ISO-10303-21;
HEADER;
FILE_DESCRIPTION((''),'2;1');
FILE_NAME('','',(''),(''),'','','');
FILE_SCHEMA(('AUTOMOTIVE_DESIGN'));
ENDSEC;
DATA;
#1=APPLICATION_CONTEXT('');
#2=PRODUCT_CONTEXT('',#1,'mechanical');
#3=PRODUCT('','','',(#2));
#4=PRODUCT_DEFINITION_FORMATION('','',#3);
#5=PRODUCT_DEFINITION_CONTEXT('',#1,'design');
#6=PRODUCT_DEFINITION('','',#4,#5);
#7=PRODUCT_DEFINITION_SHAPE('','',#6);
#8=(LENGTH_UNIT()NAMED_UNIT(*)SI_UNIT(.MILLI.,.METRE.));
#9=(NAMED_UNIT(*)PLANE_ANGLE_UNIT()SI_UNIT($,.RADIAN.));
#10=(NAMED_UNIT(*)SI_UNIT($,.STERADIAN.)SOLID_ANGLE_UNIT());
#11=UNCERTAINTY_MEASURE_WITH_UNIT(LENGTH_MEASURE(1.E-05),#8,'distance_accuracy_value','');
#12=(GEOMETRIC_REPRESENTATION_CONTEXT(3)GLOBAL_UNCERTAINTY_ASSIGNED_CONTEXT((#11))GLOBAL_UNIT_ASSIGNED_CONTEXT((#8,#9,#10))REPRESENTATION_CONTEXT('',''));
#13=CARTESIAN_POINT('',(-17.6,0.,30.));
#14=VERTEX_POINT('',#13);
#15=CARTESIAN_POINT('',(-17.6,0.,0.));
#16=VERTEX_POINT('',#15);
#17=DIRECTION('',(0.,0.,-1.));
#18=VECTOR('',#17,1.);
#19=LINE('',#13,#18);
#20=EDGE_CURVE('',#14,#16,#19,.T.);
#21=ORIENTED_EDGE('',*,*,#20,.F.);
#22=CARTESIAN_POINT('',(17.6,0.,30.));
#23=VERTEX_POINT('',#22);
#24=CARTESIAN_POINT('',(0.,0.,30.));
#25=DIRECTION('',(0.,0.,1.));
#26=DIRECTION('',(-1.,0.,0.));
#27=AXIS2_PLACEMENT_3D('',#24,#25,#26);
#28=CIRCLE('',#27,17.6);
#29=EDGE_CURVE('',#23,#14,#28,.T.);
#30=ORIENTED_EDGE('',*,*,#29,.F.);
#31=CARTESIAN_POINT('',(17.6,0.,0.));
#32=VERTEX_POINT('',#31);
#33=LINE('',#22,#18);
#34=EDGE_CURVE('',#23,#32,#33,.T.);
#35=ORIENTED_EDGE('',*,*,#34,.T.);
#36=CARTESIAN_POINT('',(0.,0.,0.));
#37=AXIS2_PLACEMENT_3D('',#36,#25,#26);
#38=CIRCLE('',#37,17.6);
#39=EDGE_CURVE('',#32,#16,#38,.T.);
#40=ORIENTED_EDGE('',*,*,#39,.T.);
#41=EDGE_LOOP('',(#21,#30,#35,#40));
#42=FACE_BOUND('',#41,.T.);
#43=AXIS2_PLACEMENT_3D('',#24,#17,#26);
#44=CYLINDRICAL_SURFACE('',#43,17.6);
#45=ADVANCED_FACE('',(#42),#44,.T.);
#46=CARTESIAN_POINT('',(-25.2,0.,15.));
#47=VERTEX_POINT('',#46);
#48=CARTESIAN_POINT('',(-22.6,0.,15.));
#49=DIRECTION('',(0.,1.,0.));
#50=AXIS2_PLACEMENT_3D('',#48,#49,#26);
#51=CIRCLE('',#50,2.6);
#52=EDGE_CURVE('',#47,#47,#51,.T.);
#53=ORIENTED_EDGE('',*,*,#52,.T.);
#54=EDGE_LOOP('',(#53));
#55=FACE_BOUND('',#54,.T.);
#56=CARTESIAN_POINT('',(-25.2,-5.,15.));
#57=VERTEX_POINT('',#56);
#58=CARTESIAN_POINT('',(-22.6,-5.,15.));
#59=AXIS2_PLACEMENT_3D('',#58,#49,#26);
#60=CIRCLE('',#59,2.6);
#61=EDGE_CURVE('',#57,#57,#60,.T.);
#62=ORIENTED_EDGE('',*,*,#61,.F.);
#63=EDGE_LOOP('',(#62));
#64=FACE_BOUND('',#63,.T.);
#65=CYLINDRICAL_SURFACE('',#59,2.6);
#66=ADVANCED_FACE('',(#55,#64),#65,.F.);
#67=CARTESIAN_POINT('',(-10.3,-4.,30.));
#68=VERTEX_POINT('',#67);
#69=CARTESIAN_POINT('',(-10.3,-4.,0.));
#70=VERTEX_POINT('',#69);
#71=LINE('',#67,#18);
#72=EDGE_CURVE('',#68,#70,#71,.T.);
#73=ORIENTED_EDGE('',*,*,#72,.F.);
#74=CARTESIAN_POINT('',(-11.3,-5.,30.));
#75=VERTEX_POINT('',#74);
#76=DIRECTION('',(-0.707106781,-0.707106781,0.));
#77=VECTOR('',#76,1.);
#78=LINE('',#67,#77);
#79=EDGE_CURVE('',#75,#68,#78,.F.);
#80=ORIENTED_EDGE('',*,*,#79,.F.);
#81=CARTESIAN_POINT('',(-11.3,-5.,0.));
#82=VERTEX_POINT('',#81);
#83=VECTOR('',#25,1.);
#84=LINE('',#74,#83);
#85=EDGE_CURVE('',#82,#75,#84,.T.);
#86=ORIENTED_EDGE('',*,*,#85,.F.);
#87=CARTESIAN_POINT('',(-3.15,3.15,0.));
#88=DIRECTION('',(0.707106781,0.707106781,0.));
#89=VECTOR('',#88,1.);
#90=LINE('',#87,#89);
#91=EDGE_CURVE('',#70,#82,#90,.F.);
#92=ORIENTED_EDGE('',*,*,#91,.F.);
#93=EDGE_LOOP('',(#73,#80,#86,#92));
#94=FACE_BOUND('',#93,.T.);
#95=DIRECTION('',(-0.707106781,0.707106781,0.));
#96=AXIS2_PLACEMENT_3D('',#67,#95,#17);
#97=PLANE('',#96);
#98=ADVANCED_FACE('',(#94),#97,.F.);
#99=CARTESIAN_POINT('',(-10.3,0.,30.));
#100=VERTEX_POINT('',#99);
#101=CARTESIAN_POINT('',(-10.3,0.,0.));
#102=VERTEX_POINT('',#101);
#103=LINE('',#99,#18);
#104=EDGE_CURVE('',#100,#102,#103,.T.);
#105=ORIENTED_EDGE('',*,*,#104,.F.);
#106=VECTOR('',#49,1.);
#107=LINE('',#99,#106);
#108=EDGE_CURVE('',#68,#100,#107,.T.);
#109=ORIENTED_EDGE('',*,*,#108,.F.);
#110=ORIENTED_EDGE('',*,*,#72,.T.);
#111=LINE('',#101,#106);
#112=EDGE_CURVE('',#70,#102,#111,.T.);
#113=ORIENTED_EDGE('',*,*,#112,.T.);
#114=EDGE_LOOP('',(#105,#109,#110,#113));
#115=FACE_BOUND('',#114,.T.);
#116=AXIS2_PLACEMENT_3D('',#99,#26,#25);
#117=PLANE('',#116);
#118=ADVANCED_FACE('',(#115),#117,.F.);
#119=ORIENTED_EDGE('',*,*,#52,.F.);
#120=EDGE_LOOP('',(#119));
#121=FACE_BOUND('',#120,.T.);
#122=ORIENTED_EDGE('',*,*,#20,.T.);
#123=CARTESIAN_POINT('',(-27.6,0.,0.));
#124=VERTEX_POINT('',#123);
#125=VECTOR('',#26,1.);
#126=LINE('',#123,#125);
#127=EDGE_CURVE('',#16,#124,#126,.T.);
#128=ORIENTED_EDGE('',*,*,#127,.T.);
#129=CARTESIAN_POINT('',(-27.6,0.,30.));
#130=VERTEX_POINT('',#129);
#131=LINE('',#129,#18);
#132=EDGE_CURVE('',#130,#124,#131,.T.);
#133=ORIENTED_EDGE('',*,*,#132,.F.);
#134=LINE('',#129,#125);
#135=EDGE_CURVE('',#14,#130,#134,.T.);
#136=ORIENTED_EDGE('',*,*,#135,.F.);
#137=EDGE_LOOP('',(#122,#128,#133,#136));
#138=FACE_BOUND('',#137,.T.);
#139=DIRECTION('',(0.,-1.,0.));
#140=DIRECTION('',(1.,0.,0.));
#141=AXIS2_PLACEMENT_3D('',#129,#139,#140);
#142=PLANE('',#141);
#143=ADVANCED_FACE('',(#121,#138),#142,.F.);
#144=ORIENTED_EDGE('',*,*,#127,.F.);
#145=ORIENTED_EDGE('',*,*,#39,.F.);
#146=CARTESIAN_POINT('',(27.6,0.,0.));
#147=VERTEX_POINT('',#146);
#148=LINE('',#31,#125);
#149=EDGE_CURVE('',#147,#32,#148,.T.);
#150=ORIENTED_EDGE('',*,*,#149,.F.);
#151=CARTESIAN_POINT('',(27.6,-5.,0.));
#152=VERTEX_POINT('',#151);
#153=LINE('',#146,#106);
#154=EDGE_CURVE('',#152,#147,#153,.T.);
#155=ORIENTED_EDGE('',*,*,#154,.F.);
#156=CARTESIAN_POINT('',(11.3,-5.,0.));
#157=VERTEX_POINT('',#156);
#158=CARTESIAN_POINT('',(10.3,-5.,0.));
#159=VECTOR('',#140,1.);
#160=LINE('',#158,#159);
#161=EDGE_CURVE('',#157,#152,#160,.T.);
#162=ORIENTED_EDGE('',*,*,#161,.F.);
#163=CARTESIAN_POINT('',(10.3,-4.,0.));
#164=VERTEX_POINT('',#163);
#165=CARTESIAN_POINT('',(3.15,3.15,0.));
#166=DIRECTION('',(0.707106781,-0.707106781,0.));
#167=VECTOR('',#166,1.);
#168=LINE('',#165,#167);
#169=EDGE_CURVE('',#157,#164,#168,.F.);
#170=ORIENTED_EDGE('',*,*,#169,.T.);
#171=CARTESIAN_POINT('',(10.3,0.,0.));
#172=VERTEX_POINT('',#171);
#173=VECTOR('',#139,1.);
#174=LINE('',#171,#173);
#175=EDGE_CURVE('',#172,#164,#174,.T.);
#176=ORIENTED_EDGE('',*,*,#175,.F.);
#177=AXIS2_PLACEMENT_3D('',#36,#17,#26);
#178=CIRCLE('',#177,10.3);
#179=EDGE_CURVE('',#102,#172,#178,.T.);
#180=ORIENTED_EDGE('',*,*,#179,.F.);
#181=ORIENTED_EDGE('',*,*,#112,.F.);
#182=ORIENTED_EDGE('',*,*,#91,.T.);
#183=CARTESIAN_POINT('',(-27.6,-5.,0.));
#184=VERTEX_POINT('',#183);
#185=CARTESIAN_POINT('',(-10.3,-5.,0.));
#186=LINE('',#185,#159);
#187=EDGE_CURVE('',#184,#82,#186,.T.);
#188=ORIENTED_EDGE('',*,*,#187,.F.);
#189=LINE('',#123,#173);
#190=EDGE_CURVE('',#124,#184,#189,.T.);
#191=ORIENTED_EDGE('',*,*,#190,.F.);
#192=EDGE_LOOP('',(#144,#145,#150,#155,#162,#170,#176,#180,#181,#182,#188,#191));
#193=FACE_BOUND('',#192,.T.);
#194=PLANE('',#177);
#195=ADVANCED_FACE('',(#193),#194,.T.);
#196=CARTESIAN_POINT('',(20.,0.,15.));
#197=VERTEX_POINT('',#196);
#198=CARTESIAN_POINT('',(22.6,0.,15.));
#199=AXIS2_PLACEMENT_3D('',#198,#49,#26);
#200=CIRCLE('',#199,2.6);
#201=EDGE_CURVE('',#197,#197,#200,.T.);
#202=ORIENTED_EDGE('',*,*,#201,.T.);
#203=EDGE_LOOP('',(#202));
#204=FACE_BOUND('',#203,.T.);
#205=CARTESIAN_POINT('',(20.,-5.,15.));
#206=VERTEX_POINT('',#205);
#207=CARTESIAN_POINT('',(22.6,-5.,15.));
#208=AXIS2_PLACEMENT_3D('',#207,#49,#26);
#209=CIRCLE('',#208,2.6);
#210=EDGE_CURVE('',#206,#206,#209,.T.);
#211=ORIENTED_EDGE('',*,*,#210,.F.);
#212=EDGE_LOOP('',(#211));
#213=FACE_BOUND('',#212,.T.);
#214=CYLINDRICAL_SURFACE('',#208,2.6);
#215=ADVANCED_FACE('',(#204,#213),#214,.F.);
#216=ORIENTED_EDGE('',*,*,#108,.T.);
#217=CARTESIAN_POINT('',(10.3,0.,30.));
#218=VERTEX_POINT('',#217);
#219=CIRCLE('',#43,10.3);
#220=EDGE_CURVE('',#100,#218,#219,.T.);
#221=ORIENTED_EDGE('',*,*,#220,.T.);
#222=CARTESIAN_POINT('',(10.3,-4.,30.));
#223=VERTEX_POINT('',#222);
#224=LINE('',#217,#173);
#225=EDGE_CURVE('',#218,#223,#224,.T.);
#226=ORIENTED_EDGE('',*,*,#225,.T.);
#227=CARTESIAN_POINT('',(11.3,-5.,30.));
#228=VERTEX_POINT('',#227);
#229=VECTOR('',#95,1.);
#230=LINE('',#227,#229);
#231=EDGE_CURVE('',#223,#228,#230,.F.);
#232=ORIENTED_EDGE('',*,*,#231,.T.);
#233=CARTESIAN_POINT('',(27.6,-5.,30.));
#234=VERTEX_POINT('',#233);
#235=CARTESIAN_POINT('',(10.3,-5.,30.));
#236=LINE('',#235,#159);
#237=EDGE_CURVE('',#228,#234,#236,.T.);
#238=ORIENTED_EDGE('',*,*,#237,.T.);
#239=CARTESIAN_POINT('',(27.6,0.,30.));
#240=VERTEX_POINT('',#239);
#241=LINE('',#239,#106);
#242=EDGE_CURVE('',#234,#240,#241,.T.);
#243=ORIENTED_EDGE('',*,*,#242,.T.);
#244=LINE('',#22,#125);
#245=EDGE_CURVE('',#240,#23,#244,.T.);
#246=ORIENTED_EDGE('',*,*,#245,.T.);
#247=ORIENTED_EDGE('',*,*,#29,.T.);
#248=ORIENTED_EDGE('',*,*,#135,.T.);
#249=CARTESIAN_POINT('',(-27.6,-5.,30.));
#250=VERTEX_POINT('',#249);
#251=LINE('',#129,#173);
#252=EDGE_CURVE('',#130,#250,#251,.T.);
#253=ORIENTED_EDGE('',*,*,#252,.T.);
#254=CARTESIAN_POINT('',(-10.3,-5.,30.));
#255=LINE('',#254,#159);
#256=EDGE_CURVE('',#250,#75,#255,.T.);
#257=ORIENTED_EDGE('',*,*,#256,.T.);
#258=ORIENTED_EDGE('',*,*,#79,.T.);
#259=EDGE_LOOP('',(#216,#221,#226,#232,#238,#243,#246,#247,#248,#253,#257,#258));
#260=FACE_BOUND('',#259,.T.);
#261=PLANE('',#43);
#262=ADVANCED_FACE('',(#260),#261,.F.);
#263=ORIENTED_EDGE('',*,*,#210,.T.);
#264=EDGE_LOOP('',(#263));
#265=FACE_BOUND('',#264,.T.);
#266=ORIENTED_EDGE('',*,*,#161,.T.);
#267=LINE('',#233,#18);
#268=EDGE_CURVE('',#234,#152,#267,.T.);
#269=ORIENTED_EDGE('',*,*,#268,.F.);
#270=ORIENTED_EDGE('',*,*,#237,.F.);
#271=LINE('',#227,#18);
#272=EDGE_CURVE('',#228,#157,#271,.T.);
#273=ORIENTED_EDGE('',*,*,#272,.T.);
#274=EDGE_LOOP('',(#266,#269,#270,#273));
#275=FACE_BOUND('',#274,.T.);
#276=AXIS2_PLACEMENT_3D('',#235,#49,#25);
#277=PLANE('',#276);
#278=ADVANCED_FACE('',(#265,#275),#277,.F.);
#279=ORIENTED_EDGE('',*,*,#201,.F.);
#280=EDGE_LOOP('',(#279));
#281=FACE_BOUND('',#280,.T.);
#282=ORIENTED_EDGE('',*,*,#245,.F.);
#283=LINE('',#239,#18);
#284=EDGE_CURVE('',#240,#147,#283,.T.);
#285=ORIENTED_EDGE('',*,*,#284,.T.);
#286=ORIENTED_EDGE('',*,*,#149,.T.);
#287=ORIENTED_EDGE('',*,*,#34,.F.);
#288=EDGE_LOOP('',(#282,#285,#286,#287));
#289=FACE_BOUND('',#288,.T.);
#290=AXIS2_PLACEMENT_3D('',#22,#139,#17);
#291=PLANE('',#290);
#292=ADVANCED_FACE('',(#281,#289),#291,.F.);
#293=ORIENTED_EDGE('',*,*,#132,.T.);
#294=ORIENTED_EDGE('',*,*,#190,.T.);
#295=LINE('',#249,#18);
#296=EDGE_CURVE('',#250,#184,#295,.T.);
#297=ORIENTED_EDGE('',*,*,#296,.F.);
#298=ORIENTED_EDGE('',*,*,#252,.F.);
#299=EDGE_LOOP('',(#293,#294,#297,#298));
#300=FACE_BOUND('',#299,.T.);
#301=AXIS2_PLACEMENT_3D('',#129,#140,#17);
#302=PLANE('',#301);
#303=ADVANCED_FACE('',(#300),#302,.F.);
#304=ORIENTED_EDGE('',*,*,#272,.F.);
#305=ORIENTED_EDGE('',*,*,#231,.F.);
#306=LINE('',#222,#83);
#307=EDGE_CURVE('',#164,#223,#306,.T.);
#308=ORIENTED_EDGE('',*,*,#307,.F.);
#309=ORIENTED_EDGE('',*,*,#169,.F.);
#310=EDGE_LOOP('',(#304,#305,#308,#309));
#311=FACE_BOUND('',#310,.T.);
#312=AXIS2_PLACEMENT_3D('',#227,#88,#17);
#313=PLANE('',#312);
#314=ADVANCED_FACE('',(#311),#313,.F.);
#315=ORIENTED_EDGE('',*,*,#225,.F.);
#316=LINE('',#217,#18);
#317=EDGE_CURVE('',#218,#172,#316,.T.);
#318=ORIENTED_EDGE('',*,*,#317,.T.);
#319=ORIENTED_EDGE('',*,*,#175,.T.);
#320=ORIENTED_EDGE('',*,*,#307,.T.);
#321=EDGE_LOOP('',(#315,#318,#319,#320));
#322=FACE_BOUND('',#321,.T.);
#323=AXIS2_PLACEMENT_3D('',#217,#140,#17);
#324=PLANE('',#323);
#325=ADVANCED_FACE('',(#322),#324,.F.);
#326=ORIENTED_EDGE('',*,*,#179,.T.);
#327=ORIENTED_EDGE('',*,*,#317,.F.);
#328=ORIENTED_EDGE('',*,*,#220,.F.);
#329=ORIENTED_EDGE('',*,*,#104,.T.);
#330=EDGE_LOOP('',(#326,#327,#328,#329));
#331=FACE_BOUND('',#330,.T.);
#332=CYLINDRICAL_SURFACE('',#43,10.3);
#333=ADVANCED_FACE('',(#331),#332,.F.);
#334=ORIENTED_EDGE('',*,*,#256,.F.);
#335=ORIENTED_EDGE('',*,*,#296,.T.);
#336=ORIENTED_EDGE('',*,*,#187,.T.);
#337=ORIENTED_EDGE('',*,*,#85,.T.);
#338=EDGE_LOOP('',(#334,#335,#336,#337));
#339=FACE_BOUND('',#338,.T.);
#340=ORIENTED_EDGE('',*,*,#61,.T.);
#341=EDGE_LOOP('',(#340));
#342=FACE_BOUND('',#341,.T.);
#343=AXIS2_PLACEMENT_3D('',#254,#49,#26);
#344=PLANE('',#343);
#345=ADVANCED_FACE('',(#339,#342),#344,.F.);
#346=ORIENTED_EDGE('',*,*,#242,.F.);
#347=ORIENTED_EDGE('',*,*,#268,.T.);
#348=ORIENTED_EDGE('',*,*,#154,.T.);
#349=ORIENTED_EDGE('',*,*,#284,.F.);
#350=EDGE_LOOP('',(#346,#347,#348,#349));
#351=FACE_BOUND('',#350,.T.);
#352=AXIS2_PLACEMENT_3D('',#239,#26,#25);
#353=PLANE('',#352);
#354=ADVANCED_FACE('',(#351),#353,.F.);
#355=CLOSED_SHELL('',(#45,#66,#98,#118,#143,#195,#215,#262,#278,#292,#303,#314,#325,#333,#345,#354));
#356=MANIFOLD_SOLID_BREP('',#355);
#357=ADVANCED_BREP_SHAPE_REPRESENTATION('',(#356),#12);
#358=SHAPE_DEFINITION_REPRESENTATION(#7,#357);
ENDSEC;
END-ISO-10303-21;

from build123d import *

# Parameters (mm, degrees)
BOSS_EXTRU_1_DEPTH      = 30
ESQUISSE3_R             = 2.6
ENL_V_MAT_EXTRU_1_DEPTH = 6
CHANFREIN1_SIZE         = 1


with BuildPart() as part:
    # Esquisse1 → Boss.-Extru.1 (new body)
    with BuildSketch(Plane.XY):
        with BuildLine():
            Line((-27.6, 0), (-17.6, 0))
            ThreePointArc((-17.6, 0), (0, 17.6), (17.6, 0))
            Line((17.6, 0), (27.6, 0))
            Line((27.6, 0), (27.6, -5))
            Line((27.6, -5), (10.3, -5))
            Line((10.3, -5), (10.3, 0))
            ThreePointArc((10.3, 0), (0, 10.3), (-10.3, 0))
            Line((-10.3, 0), (-10.3, -5))
            Line((-10.3, -5), (-27.6, -5))
            Line((-27.6, -5), (-27.6, 0))
        make_face()
    extrude(amount=BOSS_EXTRU_1_DEPTH)

    # Esquisse3 → Enlèv. mat.-Extru.1 (cut, through all)
    with BuildSketch(Plane(origin=(0, 0, 0), x_dir=(1, 0, 0), z_dir=(0, 1, 0))):
        with Locations((-22.6, -15)):
            Circle(ESQUISSE3_R)
        with Locations((22.6, -15)):
            Circle(ESQUISSE3_R)
    extrude(amount=-ENL_V_MAT_EXTRU_1_DEPTH, mode=Mode.SUBTRACT)

    # Chanfrein1
    chanfrein1_edges = [part.edges().sort_by_distance(p)[0] for p in [
        (-10.3, -5, 15),
        (10.3, -5, 15),
    ]]
    chamfer(chanfrein1_edges, length=CHANFREIN1_SIZE)


solid = part.part
